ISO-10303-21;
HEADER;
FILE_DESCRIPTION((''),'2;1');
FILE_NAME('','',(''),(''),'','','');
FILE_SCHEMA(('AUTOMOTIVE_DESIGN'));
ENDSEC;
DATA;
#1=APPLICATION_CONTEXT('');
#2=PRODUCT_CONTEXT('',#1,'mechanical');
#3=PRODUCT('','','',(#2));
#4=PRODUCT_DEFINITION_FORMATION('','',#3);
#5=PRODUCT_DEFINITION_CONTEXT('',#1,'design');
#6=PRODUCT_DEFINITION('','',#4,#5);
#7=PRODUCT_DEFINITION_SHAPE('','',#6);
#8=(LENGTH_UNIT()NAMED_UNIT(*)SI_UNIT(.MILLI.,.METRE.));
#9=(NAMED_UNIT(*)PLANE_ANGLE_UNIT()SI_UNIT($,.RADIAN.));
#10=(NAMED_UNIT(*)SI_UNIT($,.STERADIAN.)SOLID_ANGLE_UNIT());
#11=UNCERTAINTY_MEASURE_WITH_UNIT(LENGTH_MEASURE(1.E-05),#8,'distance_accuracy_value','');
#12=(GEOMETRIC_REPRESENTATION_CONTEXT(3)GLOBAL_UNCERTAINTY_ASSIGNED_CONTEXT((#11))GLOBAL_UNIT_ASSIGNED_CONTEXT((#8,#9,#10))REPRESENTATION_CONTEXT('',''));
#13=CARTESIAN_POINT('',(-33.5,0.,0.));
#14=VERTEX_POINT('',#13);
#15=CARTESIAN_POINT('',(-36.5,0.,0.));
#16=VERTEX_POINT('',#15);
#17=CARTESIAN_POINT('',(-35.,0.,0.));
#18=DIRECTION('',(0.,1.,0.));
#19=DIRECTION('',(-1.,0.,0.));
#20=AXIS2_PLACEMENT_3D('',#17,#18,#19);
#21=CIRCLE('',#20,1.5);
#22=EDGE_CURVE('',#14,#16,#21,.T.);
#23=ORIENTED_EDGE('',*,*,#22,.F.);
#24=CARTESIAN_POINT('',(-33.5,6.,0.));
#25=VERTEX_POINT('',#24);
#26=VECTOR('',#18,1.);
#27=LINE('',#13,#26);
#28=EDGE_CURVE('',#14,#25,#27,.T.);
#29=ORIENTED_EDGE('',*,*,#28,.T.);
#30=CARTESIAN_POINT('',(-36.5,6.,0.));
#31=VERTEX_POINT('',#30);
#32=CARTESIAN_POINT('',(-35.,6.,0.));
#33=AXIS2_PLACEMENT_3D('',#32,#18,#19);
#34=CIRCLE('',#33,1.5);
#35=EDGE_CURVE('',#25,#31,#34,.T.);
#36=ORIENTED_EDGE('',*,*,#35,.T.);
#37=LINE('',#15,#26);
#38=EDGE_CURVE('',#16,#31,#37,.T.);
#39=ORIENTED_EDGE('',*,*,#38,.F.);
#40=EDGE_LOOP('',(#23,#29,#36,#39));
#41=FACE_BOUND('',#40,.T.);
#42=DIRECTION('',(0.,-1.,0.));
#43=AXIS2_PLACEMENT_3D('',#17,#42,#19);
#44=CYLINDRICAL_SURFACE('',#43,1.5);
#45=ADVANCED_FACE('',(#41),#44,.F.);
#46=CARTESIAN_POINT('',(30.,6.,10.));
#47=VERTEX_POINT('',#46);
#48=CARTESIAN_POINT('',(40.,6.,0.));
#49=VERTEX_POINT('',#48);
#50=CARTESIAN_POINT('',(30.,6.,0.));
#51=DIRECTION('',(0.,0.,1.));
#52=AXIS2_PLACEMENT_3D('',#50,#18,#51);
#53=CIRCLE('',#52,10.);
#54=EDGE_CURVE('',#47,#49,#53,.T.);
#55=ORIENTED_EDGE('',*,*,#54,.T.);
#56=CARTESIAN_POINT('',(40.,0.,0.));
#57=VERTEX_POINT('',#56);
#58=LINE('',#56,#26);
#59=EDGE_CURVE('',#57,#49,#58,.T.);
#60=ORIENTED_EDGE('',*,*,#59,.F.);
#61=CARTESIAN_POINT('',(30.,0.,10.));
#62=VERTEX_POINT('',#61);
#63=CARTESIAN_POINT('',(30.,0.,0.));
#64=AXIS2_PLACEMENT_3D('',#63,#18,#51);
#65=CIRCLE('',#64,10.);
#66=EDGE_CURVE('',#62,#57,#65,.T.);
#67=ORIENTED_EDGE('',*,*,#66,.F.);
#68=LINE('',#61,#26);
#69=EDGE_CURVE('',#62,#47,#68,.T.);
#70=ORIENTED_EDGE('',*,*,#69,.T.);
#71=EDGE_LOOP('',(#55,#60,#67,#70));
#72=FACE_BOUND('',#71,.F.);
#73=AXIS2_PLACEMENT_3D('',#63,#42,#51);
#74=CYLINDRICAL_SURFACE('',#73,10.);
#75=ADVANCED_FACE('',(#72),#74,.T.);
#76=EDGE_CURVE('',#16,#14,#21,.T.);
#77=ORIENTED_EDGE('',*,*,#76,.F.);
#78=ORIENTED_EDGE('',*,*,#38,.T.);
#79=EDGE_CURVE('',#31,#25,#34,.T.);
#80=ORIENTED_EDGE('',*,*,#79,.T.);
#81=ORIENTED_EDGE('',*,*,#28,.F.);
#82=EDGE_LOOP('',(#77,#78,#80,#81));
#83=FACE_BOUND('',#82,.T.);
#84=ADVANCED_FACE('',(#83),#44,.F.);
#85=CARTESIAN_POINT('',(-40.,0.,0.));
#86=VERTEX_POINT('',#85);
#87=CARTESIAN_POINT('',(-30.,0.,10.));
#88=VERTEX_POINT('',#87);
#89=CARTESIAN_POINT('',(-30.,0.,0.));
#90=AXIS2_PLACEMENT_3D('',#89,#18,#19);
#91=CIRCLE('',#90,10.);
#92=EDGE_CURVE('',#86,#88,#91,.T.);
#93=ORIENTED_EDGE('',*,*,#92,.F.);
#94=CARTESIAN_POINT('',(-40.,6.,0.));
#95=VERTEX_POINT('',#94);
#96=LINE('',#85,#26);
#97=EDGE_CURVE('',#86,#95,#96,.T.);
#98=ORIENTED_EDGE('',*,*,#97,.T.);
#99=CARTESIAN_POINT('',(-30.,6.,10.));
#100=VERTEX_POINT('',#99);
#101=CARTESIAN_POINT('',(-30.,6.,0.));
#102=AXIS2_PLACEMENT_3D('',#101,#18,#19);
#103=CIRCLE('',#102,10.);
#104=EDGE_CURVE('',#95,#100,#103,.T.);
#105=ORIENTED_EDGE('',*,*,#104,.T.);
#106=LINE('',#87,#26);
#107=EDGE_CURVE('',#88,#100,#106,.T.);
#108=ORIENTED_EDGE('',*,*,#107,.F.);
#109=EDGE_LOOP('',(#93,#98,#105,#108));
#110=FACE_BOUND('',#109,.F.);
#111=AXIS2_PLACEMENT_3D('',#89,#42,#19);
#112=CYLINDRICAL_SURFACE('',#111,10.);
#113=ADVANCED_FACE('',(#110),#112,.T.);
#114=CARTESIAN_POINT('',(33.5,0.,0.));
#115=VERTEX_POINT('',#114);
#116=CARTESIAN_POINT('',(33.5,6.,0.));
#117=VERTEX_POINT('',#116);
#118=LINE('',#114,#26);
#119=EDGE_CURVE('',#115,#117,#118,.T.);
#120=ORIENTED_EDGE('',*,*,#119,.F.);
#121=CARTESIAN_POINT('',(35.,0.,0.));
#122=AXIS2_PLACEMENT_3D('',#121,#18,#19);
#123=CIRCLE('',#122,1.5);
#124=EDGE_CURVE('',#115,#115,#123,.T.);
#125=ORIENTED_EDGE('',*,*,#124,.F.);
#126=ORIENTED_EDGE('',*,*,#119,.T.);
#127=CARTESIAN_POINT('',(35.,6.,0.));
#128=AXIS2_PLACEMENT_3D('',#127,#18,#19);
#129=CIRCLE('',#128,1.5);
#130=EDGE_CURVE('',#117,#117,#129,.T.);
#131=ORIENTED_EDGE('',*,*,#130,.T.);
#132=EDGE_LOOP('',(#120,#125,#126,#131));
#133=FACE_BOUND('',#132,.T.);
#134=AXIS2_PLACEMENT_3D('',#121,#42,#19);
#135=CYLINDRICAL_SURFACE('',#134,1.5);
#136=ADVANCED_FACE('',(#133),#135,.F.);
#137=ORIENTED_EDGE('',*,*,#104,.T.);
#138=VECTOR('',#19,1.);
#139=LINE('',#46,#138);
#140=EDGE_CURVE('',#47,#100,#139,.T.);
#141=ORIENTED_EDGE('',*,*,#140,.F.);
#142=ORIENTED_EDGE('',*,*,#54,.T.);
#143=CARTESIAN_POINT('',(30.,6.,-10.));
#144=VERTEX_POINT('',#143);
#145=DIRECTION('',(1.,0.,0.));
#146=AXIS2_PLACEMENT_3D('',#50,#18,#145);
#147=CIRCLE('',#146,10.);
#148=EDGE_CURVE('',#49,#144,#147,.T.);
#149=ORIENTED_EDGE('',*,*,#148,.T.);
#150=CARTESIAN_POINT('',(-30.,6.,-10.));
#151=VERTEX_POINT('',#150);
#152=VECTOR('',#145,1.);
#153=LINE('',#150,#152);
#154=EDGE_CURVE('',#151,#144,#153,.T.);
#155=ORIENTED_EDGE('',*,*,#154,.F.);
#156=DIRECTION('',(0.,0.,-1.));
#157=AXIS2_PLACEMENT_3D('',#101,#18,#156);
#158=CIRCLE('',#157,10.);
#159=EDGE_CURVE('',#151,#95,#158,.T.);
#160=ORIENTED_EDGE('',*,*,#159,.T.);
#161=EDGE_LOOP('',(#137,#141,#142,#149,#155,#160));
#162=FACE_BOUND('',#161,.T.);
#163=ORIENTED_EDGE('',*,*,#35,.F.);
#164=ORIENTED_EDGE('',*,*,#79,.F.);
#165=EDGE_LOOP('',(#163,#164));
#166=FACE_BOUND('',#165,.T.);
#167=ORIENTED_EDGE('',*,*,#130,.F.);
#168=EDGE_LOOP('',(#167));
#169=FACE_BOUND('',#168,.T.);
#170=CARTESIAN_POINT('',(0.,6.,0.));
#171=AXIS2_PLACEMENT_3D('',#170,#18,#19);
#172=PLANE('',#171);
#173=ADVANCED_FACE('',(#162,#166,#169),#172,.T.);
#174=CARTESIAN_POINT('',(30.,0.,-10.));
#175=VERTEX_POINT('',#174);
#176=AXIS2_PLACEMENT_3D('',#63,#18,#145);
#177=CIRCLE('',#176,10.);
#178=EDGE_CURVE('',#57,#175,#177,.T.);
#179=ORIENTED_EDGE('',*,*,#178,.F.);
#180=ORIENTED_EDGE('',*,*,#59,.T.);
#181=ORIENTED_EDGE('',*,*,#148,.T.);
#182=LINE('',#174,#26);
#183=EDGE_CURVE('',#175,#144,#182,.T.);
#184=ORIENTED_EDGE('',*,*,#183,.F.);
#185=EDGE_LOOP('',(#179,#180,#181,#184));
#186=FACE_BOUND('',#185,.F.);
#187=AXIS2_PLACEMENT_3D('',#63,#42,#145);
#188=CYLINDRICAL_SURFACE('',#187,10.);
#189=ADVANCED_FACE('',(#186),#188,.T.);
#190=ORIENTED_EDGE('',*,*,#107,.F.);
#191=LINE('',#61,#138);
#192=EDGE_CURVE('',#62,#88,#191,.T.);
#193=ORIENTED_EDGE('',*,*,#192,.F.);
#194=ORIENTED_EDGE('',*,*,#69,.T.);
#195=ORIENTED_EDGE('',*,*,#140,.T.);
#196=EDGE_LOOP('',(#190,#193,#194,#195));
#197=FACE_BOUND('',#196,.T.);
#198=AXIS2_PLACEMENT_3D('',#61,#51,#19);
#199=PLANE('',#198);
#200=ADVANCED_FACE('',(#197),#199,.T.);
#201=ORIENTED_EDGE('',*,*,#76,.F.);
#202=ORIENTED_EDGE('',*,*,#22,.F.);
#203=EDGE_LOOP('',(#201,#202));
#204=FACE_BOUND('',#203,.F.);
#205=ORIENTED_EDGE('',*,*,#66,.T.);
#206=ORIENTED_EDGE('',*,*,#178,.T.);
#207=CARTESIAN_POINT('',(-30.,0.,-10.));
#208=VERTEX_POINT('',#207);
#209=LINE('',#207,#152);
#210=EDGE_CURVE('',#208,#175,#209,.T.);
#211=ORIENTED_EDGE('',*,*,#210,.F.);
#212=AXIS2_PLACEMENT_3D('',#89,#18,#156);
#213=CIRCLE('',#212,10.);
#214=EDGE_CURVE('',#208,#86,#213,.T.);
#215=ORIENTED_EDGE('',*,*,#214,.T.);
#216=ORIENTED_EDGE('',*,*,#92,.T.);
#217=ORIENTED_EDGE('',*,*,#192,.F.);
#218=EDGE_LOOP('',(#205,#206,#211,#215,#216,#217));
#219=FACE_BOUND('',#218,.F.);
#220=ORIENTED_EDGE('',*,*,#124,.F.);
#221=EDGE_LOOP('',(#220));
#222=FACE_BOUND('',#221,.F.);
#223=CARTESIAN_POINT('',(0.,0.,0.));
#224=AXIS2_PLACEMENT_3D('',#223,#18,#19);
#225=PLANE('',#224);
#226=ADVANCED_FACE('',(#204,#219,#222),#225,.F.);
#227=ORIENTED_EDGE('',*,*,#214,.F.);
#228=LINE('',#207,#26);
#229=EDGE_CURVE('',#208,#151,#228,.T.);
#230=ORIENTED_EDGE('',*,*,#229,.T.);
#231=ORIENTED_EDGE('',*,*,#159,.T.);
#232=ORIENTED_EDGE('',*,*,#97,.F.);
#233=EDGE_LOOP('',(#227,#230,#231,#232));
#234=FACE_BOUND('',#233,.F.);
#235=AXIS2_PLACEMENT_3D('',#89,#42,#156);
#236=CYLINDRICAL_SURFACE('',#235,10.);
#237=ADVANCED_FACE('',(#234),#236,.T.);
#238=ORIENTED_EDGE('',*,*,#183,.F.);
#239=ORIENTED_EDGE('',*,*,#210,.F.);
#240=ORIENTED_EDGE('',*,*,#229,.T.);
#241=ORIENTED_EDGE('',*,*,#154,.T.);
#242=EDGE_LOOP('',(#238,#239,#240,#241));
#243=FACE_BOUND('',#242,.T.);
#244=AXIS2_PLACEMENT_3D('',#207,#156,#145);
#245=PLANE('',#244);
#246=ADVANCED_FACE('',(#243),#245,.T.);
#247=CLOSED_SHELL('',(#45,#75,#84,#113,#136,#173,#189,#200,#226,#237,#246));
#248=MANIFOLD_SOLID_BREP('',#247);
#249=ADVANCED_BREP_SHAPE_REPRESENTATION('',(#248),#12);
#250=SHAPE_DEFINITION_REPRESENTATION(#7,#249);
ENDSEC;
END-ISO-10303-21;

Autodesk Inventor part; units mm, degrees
ref_plane "YZ Plane" through (0, 0, 0) normal (1, 0, 0) x (0, 1, 0)
ref_plane "XZ Plane" through (0, 0, 0) normal (0, 1, 0) x (-1, 0, 0)
ref_plane "XY Plane" through (0, 0, 0) normal (0, 0, 1) x (1, 0, 0)
sketch "Sketch1" plane through (0, 0, 0) normal (0, 1, 0) x (-1, 0, 0)
  line L0 (30, -10) -> (-30, -10)
  line L1 (-40, 0) -> (-40, 0)
  line L2 (-30, 10) -> (30, 10)
  line L3 (40, 0) -> (40, 0)
  line L4 (40, -10) -> (-40, 10) construction
  line L5 (-40, -10) -> (40, 10) construction
  line L6 (0, 0) -> (35, 0)
  line L7 (0, 0) -> (35, 0) construction
  line L8 (0, 0) -> (-35, 0) construction
  line L9 (0, 0) -> (35, 0) construction
  circle A0 centre (35, 0) radius 1.5
  circle A1 centre (-35, 0) radius 1.5
  arc A2 (-30, 10) -> (-40, 0) centre (-30, 0) ccw
  arc A3 (-40, 0) -> (-30, -10) centre (-30, 0) ccw
  arc A4 (30, -10) -> (40, 0) centre (30, 0) ccw
  arc A5 (40, 0) -> (30, 10) centre (30, 0) ccw
  point P0 (40, 0)
  point P1 (-40, 0)
  dimension "d0" = 80
  dimension "d1" = 20
  dimension "d3" = 35
  dimension "d4" = 0
  dimension "d5" = 35
  dimension "d6" = 180
  dimension "d7" = 3
  dimension "d8" = 3
  dimension "d11" = 10
extrude "Extrusion1" add sketch "Sketch1" along normal blind 6
properties part number "fuselagewingconnection"
